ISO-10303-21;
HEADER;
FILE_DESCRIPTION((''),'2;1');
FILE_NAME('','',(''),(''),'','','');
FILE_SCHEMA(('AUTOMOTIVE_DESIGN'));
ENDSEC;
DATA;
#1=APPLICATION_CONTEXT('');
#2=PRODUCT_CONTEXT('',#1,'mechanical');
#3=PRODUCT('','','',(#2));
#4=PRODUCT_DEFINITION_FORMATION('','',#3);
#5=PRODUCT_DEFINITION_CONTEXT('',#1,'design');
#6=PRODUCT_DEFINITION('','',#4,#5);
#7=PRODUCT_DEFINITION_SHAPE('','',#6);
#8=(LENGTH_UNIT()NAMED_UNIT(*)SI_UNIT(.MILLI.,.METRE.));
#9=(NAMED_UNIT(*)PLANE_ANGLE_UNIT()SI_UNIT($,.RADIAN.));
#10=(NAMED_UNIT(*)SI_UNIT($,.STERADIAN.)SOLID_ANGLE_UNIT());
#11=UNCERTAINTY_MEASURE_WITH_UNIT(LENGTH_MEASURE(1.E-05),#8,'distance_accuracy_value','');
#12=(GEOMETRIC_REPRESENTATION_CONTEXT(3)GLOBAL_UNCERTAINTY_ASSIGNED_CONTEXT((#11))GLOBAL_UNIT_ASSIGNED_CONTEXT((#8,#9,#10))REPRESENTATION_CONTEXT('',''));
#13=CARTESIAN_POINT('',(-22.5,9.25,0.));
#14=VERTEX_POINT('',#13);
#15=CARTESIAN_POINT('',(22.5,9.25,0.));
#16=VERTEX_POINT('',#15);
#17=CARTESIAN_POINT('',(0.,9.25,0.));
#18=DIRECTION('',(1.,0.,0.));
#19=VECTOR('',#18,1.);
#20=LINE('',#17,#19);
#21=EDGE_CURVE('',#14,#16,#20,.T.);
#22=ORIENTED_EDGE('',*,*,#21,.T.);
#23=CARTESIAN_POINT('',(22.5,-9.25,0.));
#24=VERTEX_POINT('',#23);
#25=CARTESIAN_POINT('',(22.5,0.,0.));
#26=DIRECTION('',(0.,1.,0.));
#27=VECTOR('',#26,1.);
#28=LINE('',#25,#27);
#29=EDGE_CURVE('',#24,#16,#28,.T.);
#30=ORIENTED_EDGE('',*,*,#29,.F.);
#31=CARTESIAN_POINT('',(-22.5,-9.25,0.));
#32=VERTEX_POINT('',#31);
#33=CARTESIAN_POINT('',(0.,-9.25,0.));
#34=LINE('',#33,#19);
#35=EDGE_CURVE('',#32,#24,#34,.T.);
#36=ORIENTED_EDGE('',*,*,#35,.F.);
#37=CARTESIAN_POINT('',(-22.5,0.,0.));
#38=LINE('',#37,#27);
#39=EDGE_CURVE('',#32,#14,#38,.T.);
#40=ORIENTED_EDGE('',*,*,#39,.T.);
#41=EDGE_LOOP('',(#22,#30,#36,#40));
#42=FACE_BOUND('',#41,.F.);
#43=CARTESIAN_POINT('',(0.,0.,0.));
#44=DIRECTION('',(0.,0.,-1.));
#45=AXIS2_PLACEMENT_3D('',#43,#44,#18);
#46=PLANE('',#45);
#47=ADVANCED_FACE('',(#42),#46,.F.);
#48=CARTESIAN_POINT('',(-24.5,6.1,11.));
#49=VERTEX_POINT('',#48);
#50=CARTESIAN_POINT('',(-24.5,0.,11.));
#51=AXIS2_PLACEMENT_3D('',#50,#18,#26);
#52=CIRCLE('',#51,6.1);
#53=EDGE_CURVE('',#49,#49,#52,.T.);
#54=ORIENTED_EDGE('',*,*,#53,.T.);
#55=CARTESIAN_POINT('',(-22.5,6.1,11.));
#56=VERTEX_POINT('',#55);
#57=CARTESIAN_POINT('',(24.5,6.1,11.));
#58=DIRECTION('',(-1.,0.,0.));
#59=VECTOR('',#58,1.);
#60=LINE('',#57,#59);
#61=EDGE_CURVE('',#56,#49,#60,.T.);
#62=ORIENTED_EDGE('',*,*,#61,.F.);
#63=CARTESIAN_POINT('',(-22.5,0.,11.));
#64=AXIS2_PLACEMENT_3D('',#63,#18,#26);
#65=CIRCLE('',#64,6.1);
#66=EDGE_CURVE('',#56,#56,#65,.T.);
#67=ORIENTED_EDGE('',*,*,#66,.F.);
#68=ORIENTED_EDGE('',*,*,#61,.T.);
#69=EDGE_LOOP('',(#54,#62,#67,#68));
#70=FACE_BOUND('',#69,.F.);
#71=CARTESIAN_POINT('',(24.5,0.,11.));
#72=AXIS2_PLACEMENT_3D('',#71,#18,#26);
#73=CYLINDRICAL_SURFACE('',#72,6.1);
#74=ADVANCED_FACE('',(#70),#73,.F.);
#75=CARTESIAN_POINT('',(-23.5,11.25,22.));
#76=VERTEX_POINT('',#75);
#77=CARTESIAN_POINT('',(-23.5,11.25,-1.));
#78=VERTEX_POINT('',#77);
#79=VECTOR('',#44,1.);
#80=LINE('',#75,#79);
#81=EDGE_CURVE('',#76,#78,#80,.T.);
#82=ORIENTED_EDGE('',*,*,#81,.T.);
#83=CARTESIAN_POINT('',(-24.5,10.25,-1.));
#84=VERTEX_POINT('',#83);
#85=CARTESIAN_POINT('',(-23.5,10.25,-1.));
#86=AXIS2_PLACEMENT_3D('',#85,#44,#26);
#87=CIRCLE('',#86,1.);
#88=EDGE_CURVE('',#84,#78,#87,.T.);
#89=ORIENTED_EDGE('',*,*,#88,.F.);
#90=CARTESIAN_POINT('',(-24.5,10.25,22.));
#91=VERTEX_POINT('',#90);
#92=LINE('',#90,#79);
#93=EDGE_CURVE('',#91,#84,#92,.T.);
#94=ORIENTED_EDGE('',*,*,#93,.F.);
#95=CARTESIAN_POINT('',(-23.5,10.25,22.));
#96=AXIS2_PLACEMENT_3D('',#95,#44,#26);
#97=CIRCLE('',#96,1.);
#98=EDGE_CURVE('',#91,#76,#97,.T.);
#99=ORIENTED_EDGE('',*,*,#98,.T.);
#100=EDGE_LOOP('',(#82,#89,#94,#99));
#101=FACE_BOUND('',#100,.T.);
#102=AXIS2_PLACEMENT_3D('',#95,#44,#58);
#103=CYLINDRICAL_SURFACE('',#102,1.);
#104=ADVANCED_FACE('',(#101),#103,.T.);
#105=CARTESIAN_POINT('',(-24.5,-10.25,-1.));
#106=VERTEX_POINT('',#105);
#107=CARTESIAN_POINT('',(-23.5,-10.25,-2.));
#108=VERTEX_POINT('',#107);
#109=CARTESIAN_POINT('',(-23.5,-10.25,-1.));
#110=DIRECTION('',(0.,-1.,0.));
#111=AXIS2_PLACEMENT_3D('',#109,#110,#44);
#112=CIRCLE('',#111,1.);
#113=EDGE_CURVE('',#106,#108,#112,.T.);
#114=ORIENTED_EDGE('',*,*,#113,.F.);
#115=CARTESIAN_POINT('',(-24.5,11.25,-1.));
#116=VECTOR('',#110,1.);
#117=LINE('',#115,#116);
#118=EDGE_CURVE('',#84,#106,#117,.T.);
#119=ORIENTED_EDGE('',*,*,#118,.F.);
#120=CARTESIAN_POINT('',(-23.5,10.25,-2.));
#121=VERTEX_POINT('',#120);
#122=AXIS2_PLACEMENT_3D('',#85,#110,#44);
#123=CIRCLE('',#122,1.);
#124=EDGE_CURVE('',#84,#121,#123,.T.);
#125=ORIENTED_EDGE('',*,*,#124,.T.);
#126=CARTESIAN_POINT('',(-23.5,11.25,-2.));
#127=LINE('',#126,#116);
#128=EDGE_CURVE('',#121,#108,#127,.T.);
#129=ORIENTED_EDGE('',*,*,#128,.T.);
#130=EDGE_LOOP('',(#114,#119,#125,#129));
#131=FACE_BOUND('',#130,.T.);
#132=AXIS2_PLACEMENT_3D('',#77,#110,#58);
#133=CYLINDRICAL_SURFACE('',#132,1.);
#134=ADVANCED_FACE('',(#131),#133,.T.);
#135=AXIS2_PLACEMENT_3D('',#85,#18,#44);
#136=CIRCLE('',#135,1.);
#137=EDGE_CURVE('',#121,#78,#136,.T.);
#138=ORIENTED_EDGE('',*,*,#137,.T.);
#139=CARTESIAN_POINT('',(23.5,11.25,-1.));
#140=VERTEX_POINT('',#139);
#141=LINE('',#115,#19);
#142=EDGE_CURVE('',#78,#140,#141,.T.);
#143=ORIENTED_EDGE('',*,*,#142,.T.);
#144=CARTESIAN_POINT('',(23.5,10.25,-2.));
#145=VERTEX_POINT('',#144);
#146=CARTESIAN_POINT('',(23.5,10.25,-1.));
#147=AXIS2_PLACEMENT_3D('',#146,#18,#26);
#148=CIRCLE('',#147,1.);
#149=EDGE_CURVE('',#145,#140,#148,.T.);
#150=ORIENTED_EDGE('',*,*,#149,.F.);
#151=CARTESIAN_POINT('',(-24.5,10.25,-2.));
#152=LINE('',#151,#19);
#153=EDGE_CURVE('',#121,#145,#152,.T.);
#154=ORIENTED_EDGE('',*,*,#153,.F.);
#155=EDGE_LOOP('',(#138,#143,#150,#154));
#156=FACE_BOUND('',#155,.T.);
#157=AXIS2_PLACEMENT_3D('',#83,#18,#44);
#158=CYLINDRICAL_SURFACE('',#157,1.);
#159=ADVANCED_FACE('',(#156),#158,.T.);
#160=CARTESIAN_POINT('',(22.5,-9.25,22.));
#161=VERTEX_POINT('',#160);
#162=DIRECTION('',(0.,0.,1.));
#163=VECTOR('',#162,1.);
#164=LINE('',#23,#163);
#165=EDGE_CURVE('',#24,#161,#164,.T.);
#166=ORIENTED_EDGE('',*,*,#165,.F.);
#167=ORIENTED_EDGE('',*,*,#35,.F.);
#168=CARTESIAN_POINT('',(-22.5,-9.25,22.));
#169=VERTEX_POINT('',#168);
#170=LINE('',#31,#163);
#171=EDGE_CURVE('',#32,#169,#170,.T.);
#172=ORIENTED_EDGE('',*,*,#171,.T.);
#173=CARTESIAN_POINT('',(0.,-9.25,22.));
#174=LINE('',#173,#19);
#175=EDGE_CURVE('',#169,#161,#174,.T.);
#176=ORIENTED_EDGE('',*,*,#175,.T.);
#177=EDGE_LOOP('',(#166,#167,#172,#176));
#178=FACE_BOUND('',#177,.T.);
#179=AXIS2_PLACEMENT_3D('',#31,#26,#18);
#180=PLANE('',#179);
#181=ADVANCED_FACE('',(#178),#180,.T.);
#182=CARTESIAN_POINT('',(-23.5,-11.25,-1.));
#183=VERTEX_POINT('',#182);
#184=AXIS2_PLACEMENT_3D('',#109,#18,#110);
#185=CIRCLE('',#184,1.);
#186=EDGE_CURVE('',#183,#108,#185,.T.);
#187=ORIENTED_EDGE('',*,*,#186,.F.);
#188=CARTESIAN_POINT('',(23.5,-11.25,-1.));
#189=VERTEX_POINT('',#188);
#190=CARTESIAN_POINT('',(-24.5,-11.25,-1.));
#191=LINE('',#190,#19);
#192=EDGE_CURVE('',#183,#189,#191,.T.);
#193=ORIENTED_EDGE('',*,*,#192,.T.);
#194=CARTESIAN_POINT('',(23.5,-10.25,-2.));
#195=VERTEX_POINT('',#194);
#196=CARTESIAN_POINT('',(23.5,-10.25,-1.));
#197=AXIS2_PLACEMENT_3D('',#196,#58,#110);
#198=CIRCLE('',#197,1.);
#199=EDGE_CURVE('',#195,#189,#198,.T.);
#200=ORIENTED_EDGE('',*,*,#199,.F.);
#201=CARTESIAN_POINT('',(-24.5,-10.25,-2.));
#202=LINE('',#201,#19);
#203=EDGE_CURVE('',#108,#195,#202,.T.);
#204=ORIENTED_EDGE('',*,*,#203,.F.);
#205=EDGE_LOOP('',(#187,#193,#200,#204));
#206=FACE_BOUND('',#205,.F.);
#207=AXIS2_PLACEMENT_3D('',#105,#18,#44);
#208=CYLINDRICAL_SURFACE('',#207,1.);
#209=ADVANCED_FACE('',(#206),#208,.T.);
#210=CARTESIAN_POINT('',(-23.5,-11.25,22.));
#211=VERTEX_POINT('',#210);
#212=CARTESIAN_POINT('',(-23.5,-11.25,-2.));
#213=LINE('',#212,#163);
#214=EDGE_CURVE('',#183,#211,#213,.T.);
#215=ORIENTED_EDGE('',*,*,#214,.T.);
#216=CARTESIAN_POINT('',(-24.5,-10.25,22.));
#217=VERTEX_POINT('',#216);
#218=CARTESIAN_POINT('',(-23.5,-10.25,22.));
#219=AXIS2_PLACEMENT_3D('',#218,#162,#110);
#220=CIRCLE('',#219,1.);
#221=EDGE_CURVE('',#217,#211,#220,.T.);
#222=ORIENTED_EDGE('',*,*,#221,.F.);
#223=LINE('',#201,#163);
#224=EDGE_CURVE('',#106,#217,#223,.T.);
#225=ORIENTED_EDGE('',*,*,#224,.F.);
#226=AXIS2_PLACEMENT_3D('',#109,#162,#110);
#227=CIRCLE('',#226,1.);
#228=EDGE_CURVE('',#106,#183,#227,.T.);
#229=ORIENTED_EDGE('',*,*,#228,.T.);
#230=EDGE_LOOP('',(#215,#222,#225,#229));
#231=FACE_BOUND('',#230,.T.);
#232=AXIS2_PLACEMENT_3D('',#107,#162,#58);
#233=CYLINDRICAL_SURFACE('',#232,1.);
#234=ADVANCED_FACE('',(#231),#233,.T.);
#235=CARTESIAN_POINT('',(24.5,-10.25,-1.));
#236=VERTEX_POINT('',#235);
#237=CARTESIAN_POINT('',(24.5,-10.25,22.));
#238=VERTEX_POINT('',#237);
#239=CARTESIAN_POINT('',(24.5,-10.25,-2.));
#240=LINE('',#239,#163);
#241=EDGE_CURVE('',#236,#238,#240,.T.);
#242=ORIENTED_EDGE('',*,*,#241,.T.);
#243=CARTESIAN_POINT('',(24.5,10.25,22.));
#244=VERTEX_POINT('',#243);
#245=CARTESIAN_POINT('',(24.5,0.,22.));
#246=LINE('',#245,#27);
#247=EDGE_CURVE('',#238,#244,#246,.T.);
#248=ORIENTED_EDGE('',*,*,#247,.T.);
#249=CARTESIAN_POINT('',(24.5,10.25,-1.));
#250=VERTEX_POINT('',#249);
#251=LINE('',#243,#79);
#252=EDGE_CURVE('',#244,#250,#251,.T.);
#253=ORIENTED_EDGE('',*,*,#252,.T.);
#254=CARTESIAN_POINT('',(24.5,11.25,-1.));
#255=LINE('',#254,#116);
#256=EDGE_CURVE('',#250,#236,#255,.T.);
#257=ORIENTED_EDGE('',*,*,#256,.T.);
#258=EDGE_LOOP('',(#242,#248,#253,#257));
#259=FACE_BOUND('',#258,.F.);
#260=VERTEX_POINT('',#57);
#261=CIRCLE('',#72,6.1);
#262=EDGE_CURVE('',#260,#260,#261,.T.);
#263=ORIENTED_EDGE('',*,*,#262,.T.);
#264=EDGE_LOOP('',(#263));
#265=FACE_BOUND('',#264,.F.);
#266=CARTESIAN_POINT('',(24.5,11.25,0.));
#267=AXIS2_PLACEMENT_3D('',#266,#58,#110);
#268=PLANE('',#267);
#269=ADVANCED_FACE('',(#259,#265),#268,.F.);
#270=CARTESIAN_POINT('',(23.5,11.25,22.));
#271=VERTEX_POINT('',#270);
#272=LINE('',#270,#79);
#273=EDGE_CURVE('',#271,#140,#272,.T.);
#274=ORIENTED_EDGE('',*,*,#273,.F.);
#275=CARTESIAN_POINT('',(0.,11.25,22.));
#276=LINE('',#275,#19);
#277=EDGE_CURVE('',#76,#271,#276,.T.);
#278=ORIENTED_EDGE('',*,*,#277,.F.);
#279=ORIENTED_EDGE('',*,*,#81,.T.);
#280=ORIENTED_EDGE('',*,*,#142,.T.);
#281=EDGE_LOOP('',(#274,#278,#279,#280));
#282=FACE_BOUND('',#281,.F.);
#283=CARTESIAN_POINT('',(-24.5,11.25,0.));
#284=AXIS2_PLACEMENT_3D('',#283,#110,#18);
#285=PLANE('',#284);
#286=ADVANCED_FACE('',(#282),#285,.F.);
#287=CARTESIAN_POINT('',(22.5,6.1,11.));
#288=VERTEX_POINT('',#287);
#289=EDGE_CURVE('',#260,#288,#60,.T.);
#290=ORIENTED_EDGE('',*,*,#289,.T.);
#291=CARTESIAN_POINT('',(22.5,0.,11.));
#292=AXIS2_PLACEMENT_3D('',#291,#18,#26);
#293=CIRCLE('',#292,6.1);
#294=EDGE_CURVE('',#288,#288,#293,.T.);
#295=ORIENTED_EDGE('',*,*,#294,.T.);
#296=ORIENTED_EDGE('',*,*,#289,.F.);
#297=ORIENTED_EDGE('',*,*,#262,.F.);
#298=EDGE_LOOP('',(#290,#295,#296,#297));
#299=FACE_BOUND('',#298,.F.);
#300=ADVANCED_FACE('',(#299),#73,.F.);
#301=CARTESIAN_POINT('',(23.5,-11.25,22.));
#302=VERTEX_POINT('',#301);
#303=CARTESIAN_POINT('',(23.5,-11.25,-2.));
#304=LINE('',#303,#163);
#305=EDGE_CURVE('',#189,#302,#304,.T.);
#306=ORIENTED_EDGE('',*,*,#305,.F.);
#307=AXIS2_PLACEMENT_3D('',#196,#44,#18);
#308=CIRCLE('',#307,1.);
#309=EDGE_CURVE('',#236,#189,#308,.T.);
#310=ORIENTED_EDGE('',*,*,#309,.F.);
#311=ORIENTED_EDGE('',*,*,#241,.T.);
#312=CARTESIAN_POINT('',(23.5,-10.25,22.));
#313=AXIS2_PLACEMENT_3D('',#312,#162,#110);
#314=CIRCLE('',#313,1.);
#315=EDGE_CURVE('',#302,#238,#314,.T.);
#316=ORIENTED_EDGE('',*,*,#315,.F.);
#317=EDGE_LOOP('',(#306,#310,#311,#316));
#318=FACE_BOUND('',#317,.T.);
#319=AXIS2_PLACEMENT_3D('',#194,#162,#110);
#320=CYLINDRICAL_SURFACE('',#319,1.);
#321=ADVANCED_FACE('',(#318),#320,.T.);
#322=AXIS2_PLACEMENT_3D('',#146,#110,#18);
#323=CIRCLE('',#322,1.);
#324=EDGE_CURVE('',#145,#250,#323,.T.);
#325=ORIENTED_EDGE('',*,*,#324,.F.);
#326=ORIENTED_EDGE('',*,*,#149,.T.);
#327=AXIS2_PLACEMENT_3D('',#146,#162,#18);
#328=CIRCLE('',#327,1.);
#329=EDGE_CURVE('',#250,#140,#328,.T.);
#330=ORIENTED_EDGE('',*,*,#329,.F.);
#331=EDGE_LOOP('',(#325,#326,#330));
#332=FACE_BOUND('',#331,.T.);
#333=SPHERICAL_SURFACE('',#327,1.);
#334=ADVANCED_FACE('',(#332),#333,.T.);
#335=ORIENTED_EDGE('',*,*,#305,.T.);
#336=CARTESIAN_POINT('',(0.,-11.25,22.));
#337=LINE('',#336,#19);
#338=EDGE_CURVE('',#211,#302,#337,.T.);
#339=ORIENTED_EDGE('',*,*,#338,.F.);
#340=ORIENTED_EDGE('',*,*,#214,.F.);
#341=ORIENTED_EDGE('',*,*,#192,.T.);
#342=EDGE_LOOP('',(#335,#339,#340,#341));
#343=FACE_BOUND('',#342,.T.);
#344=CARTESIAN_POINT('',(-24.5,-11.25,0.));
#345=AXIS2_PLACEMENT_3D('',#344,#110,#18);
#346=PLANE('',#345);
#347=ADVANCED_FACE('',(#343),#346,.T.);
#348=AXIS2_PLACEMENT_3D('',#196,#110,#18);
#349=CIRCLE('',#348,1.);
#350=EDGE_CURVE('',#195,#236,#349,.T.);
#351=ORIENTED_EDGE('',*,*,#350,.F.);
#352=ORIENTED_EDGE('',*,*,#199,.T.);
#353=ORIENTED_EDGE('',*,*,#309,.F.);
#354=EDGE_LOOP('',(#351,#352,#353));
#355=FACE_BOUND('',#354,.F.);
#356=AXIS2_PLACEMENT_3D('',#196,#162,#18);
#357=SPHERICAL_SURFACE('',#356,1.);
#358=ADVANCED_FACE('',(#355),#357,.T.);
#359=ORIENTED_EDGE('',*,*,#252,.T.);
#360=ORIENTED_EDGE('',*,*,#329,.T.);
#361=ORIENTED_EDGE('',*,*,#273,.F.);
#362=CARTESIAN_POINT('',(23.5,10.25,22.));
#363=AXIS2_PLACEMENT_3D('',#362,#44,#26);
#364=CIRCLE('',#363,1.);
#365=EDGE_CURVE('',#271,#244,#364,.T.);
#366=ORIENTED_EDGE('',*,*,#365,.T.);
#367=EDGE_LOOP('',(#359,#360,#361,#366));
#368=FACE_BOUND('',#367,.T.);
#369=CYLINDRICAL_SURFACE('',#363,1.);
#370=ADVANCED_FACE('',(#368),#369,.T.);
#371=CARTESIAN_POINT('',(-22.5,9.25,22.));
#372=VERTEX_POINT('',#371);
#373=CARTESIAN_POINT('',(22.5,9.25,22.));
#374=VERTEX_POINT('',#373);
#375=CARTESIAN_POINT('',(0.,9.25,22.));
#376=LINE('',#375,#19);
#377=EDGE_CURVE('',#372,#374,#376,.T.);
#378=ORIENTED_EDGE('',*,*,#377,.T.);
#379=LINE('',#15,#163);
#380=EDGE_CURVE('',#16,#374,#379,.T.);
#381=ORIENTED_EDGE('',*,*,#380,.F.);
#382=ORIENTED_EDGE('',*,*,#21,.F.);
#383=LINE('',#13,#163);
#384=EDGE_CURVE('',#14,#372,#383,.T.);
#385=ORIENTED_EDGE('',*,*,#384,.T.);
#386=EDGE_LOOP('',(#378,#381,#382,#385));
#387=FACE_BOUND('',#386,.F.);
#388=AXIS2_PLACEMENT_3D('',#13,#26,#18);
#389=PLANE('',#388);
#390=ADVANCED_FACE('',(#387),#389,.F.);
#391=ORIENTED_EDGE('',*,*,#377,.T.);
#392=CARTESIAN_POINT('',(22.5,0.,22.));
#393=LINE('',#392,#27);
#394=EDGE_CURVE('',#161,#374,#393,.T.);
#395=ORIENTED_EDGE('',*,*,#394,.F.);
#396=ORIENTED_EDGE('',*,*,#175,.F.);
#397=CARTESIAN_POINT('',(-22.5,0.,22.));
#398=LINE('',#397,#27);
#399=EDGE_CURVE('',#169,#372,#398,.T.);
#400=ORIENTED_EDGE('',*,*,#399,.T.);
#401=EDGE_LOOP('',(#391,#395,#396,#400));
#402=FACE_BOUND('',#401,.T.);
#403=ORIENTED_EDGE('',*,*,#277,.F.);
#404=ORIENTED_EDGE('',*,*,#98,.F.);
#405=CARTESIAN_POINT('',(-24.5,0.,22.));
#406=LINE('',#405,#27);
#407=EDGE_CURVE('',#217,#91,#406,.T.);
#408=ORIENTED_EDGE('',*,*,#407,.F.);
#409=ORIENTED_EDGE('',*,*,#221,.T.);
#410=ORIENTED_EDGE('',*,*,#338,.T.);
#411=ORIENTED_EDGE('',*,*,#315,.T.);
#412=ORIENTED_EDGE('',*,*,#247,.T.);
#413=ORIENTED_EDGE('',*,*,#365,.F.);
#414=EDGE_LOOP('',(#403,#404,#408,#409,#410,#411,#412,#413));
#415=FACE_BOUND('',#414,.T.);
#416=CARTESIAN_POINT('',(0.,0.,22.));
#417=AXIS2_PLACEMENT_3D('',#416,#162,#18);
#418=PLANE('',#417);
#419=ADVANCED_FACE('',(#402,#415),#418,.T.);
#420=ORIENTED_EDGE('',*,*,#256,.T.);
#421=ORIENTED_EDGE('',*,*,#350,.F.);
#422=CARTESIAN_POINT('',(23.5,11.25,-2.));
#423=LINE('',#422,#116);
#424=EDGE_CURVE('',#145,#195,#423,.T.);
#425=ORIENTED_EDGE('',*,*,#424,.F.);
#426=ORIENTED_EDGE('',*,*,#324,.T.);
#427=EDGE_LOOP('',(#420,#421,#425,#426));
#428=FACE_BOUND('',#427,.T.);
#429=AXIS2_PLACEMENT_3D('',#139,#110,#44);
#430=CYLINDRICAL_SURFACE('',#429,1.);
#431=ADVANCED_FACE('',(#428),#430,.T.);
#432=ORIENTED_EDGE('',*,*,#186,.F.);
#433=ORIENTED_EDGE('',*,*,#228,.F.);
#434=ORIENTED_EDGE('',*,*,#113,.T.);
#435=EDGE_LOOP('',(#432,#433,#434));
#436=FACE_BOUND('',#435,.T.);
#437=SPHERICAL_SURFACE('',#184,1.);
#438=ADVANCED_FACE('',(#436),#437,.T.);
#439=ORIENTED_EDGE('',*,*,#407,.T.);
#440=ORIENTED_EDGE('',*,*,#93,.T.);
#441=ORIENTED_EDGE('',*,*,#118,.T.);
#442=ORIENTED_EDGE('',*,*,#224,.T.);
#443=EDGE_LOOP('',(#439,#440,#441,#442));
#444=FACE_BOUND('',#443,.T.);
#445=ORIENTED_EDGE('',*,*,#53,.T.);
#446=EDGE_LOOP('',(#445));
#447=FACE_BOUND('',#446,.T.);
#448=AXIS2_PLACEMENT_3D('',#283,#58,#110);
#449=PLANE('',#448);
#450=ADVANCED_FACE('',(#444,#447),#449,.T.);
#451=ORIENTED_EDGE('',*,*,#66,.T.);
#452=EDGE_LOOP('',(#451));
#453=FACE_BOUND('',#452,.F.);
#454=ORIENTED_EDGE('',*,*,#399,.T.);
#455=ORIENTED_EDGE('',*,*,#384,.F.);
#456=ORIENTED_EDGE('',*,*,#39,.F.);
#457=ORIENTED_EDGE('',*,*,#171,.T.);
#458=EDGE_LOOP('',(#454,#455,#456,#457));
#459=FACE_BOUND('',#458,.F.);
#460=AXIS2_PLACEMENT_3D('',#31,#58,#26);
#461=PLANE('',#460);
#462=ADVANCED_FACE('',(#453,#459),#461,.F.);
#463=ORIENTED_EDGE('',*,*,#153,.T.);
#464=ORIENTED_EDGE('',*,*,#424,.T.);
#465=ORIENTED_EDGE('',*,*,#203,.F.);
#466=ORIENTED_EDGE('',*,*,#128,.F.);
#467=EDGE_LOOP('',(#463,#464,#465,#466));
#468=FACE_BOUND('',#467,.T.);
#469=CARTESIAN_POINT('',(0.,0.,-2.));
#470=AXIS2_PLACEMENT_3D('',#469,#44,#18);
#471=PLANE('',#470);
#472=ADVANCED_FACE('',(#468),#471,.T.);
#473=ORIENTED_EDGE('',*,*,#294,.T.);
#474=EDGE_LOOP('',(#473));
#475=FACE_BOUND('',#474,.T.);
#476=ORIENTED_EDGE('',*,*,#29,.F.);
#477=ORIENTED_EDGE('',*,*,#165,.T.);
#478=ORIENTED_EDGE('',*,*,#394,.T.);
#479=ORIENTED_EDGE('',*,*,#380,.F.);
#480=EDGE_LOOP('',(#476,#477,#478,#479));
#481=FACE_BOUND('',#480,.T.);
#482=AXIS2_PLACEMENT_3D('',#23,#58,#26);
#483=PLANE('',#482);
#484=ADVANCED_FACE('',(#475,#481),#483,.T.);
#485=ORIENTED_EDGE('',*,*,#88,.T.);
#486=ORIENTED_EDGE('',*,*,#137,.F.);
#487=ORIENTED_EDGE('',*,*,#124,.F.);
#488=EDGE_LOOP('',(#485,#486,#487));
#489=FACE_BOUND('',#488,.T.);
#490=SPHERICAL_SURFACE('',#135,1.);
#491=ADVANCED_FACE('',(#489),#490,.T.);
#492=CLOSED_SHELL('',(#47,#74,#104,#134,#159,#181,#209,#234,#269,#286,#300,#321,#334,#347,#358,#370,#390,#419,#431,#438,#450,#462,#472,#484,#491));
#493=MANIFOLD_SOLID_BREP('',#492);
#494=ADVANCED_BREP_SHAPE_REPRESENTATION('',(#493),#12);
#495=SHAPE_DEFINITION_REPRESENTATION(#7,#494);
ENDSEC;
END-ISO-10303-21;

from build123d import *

# Parameters (mm, degrees)
F0_W     = 49
F0_H     = 22.5
F0_W_2   = 45
F0_H_2   = 18.5
F1_DEPTH = 22
F2_W     = 49
F2_H     = 22.5
F3_DEPTH = 2
F4_R     = 6.1
F5_DEPTH = 49.001
F6_R     = 1


with BuildPart() as f1:
    # F0 (on Top) → F1 (new body)
    with BuildSketch(Plane.XY):
        Rectangle(F0_W, F0_H)
        Rectangle(F0_W_2, F0_H_2, mode=Mode.SUBTRACT)
    extrude(amount=F1_DEPTH)

    # F2 (on face) → F3 (join)
    with BuildSketch(Plane(origin=(0, 0, 0), x_dir=(1, 0, 0), z_dir=(0, 0, -1))):
        Rectangle(F2_W, F2_H)
    extrude(amount=F3_DEPTH)

    # F4 (on face) → F5 (cut, through all)
    with BuildSketch(Plane.YZ.offset(24.5)):
        with Locations((0, 11)):
            Circle(F4_R)
    extrude(amount=-F5_DEPTH, mode=Mode.SUBTRACT)

    # F6
    f6_edges = [f1.edges().sort_by_distance(p)[0] for p in [
        (24.5, -11.25, 10),
        (24.5, 11.25, 10),
        (24.5, 0, -2),
        (0, 11.25, -2),
        (0, -11.25, -2),
        (-24.5, -11.25, 10),
        (-24.5, 0, -2),
        (-24.5, 11.25, 10),
    ]]
    fillet(f6_edges, radius=F6_R)


solid = f1.part
